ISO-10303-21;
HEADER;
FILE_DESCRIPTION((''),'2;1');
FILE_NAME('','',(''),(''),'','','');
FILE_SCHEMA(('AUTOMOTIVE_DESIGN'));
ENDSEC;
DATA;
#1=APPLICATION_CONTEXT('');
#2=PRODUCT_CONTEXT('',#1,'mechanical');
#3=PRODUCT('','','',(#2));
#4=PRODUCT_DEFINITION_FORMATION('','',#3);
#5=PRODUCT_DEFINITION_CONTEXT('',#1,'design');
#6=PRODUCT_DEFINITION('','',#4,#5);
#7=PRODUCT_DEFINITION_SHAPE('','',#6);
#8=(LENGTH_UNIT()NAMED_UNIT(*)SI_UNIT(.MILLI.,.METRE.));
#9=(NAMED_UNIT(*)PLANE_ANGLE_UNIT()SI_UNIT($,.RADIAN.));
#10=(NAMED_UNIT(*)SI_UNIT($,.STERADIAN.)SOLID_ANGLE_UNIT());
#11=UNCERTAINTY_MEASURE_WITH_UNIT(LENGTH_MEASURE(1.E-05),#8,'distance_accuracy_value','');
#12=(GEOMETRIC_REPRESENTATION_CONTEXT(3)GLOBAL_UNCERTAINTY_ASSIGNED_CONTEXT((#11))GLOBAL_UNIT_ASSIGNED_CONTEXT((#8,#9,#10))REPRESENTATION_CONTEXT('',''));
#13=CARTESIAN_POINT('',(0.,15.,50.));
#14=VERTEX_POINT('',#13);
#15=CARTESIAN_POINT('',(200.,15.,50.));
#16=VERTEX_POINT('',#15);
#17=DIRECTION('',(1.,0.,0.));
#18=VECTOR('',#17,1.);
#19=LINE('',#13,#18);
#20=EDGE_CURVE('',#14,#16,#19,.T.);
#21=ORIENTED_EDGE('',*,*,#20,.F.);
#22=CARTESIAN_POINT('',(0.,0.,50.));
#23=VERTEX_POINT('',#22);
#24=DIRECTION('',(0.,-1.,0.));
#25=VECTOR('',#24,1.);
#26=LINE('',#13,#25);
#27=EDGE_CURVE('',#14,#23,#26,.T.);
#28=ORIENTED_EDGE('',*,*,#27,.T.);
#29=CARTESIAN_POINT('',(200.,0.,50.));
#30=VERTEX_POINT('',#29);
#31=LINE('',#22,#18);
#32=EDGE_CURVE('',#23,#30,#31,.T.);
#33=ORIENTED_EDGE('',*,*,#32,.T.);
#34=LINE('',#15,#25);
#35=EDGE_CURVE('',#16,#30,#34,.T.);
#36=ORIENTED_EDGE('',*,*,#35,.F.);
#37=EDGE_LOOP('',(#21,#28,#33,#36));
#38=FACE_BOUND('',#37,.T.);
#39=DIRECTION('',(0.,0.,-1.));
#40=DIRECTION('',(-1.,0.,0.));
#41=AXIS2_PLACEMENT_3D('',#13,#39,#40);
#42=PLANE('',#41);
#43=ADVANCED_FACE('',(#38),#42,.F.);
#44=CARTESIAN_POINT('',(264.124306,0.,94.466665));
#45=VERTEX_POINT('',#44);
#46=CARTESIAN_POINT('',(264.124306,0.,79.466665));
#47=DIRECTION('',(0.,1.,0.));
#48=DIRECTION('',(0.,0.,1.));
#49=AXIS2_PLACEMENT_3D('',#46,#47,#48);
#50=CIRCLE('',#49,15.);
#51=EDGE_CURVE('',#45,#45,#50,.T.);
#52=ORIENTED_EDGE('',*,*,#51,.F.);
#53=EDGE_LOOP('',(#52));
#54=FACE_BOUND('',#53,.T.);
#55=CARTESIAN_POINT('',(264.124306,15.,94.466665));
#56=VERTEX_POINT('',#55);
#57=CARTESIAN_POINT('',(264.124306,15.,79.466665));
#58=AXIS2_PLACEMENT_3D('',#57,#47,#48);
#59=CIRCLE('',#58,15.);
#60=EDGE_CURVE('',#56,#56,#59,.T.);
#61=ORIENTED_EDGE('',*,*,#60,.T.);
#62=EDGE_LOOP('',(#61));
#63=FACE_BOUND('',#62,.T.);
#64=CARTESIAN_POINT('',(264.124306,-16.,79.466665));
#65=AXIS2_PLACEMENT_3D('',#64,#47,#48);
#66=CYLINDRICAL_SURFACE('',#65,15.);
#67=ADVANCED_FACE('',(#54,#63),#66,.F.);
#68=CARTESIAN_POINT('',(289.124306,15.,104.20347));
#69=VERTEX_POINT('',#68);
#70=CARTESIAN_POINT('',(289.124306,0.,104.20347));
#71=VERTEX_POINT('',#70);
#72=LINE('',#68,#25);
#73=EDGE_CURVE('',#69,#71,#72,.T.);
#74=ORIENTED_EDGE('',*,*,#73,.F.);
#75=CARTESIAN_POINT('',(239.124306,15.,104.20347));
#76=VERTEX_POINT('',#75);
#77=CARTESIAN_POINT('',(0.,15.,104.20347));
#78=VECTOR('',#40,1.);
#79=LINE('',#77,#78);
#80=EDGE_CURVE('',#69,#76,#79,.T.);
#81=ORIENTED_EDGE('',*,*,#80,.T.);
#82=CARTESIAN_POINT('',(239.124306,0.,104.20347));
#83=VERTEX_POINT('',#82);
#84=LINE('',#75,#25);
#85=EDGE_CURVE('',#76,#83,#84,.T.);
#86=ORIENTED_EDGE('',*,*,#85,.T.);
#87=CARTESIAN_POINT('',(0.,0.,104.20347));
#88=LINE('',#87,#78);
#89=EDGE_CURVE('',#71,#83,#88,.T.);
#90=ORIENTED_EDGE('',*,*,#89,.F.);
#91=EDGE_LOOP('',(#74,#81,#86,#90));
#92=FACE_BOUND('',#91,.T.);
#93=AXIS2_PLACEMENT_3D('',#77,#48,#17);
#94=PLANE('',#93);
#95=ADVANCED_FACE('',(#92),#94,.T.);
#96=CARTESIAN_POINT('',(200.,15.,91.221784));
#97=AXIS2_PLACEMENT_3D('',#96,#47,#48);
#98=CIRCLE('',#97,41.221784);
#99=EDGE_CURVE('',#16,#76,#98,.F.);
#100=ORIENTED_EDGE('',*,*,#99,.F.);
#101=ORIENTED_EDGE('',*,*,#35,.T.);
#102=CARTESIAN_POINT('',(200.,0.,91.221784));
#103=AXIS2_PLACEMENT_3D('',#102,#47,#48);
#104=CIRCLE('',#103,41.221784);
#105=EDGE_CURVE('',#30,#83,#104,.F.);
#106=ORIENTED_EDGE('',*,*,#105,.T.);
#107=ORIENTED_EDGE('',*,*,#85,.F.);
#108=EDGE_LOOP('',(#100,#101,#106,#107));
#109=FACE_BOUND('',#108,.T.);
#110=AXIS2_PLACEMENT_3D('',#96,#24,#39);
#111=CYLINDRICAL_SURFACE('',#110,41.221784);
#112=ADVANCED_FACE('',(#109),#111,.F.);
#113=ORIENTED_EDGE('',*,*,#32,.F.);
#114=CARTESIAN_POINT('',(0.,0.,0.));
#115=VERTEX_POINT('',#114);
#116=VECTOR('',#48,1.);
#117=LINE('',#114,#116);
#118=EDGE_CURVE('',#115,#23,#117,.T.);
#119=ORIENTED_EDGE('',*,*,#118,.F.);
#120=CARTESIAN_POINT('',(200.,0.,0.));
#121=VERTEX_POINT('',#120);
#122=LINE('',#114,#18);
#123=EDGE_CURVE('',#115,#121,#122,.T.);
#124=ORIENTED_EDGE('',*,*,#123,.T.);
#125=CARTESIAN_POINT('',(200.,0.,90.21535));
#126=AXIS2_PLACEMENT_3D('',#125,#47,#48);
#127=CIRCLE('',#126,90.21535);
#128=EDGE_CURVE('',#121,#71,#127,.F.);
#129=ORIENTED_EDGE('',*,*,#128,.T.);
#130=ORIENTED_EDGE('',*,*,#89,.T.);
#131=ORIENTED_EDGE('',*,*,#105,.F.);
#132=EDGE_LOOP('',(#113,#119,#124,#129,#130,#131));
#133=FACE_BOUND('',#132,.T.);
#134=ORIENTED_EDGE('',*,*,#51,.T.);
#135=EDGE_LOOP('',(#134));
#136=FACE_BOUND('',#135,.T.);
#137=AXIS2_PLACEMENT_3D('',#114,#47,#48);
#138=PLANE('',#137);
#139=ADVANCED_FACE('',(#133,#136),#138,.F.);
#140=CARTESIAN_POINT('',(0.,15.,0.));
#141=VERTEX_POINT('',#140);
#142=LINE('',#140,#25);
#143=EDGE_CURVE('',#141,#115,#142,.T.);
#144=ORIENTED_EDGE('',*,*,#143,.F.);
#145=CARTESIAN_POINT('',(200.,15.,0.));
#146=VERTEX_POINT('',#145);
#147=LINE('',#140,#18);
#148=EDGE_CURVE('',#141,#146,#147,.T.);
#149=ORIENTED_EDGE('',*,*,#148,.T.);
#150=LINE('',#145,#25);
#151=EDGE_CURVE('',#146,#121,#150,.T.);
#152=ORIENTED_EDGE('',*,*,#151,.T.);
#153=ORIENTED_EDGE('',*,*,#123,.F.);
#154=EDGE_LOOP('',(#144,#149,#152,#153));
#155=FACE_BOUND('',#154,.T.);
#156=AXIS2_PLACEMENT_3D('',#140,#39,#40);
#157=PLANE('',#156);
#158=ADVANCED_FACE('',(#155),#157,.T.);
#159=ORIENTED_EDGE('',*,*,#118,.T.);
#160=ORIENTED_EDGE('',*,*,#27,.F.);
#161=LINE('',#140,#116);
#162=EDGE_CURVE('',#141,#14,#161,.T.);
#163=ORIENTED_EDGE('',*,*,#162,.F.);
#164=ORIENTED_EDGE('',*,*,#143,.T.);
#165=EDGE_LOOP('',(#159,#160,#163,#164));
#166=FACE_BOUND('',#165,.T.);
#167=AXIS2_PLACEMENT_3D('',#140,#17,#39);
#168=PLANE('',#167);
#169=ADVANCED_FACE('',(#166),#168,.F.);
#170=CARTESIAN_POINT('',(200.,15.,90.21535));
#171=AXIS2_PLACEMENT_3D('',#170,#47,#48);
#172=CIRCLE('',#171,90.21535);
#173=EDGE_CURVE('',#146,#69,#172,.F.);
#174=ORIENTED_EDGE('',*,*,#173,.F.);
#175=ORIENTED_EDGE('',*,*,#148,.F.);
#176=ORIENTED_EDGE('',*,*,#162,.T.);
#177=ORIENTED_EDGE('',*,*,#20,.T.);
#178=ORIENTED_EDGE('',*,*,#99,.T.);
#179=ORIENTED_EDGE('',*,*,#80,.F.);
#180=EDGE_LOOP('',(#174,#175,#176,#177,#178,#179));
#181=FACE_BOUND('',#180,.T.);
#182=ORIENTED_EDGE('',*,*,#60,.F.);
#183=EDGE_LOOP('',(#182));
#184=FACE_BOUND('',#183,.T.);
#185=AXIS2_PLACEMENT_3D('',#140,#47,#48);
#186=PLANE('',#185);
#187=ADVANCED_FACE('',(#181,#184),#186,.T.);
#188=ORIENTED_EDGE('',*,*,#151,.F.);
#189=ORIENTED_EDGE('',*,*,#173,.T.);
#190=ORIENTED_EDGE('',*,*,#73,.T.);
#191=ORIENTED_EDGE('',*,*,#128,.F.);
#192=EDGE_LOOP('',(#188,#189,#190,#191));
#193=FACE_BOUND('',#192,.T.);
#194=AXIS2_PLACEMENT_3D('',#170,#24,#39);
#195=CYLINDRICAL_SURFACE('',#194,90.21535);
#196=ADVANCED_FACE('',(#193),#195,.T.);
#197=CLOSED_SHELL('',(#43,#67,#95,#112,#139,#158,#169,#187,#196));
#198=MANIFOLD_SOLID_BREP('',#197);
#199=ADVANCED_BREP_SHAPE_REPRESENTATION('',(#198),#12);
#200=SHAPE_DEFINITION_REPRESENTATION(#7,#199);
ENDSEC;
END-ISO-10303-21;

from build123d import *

# Parameters (mm, degrees)
BOSS_EXTRUDE1_DEPTH = 15
SKETCH5_R           = 15
CUT_EXTRUDE1_DEPTH  = 31


with BuildPart() as part:
    # Sketch4 → Boss-Extrude1 (new body)
    with BuildSketch(Plane(origin=(0, 0, 0), x_dir=(1, 0, 0), z_dir=(0, 1, 0))):
        with BuildLine():
            Line((0, -50), (200, -50))
            ThreePointArc((200, -50), (233.424270678, -67.095996649), (239.124306246, -104.203469835))
            Line((239.124306246, -104.203469835), (289.124306246, -104.203469835))
            ThreePointArc((289.124306246, -104.203469835), (268.559290197, -31.577195792), (200, 0))
            Line((200, 0), (0, 0))
            Line((0, 0), (0, -50))
        make_face()
    extrude(amount=BOSS_EXTRUDE1_DEPTH)

    # Sketch5 → Cut-Extrude1 (cut)
    with BuildSketch(Plane(origin=(0, 15, 0), x_dir=(1, 0, 0), z_dir=(0, 1, 0))):
        with Locations(Location((264.124306246, -79.466665475, 0), (0, 0, 270))):
            Circle(SKETCH5_R)
    extrude(amount=-CUT_EXTRUDE1_DEPTH, mode=Mode.SUBTRACT)


solid = part.part
